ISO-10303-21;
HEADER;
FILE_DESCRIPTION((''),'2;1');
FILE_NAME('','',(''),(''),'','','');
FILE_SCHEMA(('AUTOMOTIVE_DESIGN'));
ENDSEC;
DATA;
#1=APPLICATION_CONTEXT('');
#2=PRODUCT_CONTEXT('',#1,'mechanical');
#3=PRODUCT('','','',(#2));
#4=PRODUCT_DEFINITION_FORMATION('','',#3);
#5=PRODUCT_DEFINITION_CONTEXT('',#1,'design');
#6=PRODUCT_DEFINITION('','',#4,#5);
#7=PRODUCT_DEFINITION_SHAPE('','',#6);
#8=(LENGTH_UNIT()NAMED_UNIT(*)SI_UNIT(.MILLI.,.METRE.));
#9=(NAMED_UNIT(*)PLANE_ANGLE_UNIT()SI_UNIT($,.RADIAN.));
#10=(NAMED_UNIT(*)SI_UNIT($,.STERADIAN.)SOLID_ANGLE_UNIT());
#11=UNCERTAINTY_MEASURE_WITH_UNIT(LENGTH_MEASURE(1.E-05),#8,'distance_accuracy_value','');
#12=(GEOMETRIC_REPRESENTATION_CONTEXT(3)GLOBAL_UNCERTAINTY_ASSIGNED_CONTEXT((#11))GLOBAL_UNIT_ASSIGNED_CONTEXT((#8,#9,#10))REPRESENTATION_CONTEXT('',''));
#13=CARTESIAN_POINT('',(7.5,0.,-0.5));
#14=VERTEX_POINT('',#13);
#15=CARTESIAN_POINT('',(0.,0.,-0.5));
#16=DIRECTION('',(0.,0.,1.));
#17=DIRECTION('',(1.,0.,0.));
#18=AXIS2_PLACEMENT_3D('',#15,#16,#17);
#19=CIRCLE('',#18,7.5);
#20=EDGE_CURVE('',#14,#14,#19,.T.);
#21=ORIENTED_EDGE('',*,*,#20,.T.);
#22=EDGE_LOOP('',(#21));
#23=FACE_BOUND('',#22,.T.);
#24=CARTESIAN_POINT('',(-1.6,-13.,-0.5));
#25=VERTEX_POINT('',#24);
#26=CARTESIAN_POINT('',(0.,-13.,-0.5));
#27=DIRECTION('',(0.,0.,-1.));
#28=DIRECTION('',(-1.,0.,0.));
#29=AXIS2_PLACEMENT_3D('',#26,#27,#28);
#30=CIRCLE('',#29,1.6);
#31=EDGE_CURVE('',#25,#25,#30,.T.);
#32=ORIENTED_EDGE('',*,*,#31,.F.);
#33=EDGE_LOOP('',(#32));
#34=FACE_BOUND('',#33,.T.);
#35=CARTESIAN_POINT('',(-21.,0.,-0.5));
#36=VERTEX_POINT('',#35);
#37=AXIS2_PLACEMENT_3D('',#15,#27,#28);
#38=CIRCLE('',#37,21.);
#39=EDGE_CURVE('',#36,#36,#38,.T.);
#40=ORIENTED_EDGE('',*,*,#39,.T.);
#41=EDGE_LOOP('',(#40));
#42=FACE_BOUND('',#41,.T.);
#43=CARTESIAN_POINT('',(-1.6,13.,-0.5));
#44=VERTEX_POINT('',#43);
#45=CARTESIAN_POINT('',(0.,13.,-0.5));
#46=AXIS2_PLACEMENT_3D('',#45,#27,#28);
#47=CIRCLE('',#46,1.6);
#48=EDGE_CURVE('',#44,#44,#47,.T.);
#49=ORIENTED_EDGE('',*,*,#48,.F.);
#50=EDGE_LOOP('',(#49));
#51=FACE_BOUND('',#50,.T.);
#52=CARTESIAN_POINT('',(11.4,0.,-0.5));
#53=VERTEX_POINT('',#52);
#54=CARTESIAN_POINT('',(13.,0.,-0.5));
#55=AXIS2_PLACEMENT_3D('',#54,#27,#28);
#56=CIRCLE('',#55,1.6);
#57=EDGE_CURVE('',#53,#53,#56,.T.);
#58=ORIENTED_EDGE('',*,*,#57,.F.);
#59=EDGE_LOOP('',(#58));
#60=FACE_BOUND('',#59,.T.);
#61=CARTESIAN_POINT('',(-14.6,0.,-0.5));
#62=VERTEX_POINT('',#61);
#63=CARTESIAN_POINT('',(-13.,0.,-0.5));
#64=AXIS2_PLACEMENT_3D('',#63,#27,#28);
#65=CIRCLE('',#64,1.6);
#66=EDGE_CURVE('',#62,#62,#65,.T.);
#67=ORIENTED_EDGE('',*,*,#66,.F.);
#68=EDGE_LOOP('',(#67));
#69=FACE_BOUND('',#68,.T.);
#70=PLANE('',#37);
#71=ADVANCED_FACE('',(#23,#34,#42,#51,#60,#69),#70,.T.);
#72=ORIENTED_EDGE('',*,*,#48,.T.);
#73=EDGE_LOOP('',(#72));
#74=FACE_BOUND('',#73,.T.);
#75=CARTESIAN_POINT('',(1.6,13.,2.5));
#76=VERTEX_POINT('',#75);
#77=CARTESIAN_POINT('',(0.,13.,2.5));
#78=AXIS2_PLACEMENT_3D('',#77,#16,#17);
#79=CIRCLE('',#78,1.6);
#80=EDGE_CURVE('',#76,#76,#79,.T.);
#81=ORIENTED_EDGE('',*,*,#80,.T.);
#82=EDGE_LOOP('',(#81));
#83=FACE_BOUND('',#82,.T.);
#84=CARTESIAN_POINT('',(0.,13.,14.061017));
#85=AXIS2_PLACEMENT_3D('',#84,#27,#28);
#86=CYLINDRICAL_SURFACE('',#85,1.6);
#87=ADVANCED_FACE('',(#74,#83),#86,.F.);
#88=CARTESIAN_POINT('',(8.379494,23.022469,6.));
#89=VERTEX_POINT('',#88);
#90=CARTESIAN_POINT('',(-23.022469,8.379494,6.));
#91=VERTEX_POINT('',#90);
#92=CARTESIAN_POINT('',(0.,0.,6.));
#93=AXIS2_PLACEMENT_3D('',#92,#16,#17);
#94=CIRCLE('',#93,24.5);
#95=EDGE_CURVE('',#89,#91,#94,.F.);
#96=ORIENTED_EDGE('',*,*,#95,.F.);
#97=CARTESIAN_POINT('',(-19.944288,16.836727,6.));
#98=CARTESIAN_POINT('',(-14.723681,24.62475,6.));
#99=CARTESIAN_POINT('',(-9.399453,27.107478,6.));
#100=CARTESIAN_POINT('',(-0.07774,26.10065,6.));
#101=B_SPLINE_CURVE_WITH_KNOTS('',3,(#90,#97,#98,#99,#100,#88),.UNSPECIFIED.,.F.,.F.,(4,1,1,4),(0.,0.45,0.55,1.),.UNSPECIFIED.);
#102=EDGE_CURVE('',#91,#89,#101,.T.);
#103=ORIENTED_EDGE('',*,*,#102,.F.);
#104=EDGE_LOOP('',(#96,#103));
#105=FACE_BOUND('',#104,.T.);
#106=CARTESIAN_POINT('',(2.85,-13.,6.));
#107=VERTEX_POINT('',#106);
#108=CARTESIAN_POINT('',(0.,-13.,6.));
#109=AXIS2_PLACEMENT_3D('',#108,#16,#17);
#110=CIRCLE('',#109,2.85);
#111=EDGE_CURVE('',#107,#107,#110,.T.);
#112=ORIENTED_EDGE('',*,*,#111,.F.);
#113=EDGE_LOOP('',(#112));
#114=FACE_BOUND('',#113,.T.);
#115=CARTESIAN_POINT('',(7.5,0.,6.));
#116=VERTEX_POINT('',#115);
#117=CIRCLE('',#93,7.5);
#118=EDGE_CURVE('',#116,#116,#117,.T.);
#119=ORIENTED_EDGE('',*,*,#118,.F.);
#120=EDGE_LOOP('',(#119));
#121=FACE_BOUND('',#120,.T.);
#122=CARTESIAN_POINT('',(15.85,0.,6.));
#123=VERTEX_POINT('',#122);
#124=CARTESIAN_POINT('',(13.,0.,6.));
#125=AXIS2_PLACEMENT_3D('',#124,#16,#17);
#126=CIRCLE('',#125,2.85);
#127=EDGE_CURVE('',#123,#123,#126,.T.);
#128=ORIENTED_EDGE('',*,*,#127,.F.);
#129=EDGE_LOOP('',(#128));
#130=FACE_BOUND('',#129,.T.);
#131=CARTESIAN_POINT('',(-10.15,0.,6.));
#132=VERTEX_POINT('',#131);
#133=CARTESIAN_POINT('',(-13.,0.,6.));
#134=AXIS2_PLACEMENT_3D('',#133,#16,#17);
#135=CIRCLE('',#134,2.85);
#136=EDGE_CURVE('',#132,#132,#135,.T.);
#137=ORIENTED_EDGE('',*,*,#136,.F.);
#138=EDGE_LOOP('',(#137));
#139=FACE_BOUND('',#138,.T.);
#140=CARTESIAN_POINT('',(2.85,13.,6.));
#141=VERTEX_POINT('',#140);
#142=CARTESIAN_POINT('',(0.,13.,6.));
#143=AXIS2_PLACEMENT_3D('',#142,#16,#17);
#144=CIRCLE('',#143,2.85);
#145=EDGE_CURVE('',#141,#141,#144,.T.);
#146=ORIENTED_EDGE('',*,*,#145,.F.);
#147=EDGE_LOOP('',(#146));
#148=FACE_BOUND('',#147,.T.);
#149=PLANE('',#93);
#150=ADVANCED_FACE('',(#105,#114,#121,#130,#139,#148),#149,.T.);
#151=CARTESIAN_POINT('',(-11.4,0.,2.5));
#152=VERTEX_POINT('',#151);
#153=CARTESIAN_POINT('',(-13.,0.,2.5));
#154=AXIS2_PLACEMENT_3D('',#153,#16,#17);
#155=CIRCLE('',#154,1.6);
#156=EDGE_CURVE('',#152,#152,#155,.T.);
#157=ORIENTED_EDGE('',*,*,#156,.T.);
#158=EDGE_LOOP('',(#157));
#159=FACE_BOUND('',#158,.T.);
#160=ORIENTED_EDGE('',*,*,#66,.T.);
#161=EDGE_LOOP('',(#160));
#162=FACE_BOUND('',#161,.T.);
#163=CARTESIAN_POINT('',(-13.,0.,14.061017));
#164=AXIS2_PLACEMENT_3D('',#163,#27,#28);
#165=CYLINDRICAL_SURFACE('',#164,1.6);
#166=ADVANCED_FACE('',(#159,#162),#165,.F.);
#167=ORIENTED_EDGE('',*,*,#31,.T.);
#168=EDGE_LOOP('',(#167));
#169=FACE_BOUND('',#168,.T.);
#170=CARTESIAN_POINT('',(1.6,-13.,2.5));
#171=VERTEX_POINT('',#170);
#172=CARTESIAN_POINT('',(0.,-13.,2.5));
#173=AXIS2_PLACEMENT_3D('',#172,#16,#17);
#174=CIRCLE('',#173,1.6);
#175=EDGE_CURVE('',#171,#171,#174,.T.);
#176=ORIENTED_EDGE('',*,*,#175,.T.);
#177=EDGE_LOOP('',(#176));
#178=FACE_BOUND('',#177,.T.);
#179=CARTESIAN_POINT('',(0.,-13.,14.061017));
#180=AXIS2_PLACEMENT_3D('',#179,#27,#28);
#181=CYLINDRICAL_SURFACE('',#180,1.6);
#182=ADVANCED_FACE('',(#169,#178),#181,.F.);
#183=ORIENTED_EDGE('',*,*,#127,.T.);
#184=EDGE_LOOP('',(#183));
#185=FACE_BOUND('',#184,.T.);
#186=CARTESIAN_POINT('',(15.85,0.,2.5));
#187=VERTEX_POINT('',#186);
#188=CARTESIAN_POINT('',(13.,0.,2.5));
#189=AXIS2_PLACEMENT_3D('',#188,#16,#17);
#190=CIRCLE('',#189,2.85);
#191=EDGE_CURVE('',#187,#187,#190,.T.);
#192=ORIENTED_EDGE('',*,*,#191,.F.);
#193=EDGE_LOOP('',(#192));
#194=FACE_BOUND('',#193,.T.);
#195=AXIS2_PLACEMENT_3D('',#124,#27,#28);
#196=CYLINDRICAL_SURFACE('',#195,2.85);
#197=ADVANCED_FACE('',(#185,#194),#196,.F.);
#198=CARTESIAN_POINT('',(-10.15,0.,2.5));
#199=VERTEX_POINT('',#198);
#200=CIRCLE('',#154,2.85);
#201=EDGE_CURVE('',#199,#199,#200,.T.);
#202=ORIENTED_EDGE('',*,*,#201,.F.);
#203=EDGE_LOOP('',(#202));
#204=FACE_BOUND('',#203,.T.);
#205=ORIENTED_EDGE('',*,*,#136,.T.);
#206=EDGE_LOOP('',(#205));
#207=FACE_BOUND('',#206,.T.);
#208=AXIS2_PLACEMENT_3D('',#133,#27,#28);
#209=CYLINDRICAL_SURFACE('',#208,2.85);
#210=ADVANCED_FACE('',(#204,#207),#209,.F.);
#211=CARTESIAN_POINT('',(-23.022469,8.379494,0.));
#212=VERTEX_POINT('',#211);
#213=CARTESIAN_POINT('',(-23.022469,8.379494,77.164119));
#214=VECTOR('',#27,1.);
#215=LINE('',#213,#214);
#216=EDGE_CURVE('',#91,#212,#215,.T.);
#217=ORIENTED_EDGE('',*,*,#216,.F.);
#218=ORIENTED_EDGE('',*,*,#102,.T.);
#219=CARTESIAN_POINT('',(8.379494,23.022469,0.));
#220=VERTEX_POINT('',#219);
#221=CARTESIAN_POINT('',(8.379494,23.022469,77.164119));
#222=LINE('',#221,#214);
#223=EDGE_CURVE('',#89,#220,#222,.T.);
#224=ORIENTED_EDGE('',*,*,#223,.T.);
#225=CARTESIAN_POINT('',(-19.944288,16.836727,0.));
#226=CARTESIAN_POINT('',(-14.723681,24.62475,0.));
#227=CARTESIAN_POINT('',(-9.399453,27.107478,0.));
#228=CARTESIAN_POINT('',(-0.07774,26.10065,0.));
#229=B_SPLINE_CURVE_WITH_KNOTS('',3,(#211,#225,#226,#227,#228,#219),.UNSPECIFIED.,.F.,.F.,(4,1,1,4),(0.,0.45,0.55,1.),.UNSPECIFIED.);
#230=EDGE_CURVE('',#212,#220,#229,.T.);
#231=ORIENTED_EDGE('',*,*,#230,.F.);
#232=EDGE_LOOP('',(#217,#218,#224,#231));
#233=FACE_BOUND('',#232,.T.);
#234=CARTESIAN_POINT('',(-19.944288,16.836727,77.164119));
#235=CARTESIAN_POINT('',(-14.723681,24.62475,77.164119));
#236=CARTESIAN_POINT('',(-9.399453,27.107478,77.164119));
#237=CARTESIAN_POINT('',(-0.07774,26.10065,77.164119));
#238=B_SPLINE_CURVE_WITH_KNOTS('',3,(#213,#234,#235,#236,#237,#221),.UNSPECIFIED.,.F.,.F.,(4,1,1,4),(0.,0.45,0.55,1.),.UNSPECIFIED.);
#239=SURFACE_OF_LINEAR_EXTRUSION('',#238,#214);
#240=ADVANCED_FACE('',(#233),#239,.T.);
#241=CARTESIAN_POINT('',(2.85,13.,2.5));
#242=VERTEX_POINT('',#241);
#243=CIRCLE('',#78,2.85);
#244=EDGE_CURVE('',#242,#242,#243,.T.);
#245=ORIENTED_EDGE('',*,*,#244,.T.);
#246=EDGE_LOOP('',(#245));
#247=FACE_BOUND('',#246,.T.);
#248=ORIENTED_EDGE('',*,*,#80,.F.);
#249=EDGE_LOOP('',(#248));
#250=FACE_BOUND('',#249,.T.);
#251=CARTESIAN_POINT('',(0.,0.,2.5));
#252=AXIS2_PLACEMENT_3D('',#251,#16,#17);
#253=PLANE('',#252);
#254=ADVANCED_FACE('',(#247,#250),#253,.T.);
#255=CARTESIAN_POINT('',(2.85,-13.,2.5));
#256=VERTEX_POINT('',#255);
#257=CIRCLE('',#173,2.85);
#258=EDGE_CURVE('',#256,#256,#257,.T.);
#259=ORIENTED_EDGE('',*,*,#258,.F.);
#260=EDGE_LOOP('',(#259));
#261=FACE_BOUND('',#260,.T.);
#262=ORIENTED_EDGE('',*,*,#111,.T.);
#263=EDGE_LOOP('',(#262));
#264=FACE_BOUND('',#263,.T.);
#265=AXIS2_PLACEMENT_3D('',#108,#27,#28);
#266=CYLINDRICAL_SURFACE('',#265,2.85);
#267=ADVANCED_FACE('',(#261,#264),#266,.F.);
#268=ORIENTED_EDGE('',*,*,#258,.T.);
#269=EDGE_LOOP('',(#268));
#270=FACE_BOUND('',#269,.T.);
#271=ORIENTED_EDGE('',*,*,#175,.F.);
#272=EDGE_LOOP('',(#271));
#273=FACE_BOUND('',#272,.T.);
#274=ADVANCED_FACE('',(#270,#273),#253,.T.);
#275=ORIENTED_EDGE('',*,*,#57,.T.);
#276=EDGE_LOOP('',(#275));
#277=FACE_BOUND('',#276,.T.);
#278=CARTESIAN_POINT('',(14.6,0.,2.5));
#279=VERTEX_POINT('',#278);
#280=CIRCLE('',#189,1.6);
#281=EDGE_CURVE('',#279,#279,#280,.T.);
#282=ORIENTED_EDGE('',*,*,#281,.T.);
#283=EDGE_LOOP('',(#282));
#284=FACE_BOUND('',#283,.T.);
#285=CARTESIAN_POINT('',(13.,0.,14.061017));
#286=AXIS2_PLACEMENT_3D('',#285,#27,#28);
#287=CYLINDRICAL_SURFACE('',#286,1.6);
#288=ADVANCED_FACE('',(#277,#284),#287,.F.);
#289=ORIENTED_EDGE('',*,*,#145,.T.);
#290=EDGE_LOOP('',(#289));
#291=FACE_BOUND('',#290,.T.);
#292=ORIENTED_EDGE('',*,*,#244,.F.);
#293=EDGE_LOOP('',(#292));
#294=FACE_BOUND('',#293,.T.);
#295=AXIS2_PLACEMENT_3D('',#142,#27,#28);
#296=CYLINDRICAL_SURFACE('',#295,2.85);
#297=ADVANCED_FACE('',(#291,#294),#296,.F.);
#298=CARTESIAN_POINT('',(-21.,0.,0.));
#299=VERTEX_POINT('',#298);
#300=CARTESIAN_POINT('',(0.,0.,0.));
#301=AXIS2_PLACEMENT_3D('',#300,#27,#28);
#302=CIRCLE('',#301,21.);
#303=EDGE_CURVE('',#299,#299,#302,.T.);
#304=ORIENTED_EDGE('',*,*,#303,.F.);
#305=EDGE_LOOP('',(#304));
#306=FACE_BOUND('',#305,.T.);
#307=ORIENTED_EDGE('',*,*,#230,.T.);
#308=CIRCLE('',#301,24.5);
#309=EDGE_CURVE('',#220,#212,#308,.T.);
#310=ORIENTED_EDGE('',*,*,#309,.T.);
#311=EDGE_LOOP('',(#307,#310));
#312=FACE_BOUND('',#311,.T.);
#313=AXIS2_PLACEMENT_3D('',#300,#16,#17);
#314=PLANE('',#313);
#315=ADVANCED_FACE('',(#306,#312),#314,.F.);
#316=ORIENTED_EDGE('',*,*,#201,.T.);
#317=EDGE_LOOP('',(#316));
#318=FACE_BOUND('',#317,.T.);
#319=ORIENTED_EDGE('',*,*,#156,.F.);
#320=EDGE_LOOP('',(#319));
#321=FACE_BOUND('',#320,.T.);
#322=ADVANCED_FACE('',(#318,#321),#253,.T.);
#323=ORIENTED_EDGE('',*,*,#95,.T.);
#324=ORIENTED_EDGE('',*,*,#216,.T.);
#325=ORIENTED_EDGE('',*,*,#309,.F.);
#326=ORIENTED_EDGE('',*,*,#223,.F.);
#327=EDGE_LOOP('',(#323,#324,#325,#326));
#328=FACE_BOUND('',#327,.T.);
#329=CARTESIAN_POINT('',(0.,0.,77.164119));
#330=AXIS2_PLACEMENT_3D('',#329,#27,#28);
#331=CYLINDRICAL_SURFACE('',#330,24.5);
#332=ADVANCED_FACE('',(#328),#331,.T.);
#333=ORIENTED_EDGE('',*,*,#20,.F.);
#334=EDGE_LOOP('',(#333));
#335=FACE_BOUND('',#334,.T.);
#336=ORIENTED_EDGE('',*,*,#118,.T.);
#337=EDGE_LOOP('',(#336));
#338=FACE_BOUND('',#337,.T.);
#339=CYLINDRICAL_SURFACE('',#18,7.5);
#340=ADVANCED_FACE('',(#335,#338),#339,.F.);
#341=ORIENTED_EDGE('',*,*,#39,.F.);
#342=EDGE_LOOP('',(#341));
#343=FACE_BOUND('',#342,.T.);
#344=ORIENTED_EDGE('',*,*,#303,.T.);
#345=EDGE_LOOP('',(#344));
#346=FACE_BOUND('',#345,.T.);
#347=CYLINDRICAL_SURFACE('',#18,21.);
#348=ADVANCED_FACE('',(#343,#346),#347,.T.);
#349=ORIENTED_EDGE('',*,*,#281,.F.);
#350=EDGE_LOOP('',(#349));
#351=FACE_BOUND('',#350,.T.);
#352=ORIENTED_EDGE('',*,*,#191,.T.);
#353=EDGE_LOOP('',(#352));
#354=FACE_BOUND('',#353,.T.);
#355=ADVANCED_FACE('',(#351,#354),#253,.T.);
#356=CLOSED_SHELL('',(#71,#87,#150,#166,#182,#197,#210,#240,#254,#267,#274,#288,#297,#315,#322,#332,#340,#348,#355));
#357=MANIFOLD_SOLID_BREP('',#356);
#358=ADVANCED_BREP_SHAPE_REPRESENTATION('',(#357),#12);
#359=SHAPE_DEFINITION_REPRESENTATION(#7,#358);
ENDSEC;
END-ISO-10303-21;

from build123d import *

# Parameters (mm, degrees)
SKETCH1_R           = 21
SKETCH1_R_2         = 2.85
BOSS_EXTRUDE1_DEPTH = 6
SKETCH2_R           = 24.5
SKETCH2_R_2         = 21
BOSS_EXTRUDE3_DEPTH = 6
SKETCH1_4_R         = 2.85
SKETCH1_4_R_2       = 1.6
BOSS_EXTRUDE2_DEPTH = 2.5
SKETCH3_R           = 21
SKETCH3_R_2         = 1.6
BOSS_EXTRUDE4_DEPTH = 0.5
SKETCH4_R           = 7.5
CUT_EXTRUDE1_DEPTH  = 7.5


with BuildPart() as part:
    # Sketch1 → Boss-Extrude1 (new body)
    with BuildSketch(Plane(origin=(0, 0, 0), x_dir=(0, 1, 0), z_dir=(0, 0, 1))):
        Circle(SKETCH1_R)
        with Locations((-13, 0)):
            Circle(SKETCH1_R_2, mode=Mode.SUBTRACT)
        with Locations((0, -13)):
            Circle(SKETCH1_R_2, mode=Mode.SUBTRACT)
        with Locations((13, 0)):
            Circle(SKETCH1_R_2, mode=Mode.SUBTRACT)
        with Locations((0, 13)):
            Circle(SKETCH1_R_2, mode=Mode.SUBTRACT)
    extrude(amount=BOSS_EXTRUDE1_DEPTH)

    # Sketch2 → Boss-Extrude3 (add)
    with BuildSketch(Plane(origin=(0, 0, 0), x_dir=(1, 0, 0), z_dir=(0, 0, -1))):
        Circle(SKETCH2_R)
        Circle(SKETCH2_R_2, mode=Mode.SUBTRACT)
        with BuildLine():
            ThreePointArc((8.379493511, -23.022469209), (-10.354147413, -22.204540782), (-23.022469209, -8.379493511))
            add(Edge.make_bspline(
                [(-23.022469209, -8.379493511), (-19.944287919, -16.836727099), (-14.723681196, -24.624750138), (-9.399453165, -27.107478442), (-0.077740076, -26.100650499), (8.379493511, -23.022469209)],
                knots=[0, 0, 0, 0, 0.45, 0.55, 1, 1, 1, 1], degree=3))
        make_face()
    extrude(amount=-BOSS_EXTRUDE3_DEPTH)

    # Sketch1<4> → Boss-Extrude2 (add)
    with BuildSketch(Plane(origin=(0, 0, 0), x_dir=(0, 1, 0), z_dir=(0, 0, 1))):
        with Locations((-13, 0)):
            Circle(SKETCH1_4_R)
        with Locations((-13, 0)):
            Circle(SKETCH1_4_R_2, mode=Mode.SUBTRACT)
        with Locations((0, 13)):
            Circle(SKETCH1_4_R)
        with Locations((0, 13)):
            Circle(SKETCH1_4_R_2, mode=Mode.SUBTRACT)
        with Locations((13, 0)):
            Circle(SKETCH1_4_R)
        with Locations((13, 0)):
            Circle(SKETCH1_4_R_2, mode=Mode.SUBTRACT)
        with Locations((0, -13)):
            Circle(SKETCH1_4_R)
        with Locations((0, -13)):
            Circle(SKETCH1_4_R_2, mode=Mode.SUBTRACT)
    extrude(amount=BOSS_EXTRUDE2_DEPTH)

    # Sketch3 → Boss-Extrude4 (add)
    with BuildSketch(Plane(origin=(0, 0, 0), x_dir=(1, 0, 0), z_dir=(0, 0, -1))):
        Circle(SKETCH3_R)
        with Locations((13, 0)):
            Circle(SKETCH3_R_2, mode=Mode.SUBTRACT)
        with Locations((0, 13)):
            Circle(SKETCH3_R_2, mode=Mode.SUBTRACT)
        with Locations((-13, 0)):
            Circle(SKETCH3_R_2, mode=Mode.SUBTRACT)
        with Locations((0, -13)):
            Circle(SKETCH3_R_2, mode=Mode.SUBTRACT)
    extrude(amount=BOSS_EXTRUDE4_DEPTH)

    # Sketch4 → Cut-Extrude1 (cut, through all)
    with BuildSketch(Plane.XY.offset(6)):
        Circle(SKETCH4_R)
    extrude(amount=-CUT_EXTRUDE1_DEPTH, mode=Mode.SUBTRACT)


solid = part.part
